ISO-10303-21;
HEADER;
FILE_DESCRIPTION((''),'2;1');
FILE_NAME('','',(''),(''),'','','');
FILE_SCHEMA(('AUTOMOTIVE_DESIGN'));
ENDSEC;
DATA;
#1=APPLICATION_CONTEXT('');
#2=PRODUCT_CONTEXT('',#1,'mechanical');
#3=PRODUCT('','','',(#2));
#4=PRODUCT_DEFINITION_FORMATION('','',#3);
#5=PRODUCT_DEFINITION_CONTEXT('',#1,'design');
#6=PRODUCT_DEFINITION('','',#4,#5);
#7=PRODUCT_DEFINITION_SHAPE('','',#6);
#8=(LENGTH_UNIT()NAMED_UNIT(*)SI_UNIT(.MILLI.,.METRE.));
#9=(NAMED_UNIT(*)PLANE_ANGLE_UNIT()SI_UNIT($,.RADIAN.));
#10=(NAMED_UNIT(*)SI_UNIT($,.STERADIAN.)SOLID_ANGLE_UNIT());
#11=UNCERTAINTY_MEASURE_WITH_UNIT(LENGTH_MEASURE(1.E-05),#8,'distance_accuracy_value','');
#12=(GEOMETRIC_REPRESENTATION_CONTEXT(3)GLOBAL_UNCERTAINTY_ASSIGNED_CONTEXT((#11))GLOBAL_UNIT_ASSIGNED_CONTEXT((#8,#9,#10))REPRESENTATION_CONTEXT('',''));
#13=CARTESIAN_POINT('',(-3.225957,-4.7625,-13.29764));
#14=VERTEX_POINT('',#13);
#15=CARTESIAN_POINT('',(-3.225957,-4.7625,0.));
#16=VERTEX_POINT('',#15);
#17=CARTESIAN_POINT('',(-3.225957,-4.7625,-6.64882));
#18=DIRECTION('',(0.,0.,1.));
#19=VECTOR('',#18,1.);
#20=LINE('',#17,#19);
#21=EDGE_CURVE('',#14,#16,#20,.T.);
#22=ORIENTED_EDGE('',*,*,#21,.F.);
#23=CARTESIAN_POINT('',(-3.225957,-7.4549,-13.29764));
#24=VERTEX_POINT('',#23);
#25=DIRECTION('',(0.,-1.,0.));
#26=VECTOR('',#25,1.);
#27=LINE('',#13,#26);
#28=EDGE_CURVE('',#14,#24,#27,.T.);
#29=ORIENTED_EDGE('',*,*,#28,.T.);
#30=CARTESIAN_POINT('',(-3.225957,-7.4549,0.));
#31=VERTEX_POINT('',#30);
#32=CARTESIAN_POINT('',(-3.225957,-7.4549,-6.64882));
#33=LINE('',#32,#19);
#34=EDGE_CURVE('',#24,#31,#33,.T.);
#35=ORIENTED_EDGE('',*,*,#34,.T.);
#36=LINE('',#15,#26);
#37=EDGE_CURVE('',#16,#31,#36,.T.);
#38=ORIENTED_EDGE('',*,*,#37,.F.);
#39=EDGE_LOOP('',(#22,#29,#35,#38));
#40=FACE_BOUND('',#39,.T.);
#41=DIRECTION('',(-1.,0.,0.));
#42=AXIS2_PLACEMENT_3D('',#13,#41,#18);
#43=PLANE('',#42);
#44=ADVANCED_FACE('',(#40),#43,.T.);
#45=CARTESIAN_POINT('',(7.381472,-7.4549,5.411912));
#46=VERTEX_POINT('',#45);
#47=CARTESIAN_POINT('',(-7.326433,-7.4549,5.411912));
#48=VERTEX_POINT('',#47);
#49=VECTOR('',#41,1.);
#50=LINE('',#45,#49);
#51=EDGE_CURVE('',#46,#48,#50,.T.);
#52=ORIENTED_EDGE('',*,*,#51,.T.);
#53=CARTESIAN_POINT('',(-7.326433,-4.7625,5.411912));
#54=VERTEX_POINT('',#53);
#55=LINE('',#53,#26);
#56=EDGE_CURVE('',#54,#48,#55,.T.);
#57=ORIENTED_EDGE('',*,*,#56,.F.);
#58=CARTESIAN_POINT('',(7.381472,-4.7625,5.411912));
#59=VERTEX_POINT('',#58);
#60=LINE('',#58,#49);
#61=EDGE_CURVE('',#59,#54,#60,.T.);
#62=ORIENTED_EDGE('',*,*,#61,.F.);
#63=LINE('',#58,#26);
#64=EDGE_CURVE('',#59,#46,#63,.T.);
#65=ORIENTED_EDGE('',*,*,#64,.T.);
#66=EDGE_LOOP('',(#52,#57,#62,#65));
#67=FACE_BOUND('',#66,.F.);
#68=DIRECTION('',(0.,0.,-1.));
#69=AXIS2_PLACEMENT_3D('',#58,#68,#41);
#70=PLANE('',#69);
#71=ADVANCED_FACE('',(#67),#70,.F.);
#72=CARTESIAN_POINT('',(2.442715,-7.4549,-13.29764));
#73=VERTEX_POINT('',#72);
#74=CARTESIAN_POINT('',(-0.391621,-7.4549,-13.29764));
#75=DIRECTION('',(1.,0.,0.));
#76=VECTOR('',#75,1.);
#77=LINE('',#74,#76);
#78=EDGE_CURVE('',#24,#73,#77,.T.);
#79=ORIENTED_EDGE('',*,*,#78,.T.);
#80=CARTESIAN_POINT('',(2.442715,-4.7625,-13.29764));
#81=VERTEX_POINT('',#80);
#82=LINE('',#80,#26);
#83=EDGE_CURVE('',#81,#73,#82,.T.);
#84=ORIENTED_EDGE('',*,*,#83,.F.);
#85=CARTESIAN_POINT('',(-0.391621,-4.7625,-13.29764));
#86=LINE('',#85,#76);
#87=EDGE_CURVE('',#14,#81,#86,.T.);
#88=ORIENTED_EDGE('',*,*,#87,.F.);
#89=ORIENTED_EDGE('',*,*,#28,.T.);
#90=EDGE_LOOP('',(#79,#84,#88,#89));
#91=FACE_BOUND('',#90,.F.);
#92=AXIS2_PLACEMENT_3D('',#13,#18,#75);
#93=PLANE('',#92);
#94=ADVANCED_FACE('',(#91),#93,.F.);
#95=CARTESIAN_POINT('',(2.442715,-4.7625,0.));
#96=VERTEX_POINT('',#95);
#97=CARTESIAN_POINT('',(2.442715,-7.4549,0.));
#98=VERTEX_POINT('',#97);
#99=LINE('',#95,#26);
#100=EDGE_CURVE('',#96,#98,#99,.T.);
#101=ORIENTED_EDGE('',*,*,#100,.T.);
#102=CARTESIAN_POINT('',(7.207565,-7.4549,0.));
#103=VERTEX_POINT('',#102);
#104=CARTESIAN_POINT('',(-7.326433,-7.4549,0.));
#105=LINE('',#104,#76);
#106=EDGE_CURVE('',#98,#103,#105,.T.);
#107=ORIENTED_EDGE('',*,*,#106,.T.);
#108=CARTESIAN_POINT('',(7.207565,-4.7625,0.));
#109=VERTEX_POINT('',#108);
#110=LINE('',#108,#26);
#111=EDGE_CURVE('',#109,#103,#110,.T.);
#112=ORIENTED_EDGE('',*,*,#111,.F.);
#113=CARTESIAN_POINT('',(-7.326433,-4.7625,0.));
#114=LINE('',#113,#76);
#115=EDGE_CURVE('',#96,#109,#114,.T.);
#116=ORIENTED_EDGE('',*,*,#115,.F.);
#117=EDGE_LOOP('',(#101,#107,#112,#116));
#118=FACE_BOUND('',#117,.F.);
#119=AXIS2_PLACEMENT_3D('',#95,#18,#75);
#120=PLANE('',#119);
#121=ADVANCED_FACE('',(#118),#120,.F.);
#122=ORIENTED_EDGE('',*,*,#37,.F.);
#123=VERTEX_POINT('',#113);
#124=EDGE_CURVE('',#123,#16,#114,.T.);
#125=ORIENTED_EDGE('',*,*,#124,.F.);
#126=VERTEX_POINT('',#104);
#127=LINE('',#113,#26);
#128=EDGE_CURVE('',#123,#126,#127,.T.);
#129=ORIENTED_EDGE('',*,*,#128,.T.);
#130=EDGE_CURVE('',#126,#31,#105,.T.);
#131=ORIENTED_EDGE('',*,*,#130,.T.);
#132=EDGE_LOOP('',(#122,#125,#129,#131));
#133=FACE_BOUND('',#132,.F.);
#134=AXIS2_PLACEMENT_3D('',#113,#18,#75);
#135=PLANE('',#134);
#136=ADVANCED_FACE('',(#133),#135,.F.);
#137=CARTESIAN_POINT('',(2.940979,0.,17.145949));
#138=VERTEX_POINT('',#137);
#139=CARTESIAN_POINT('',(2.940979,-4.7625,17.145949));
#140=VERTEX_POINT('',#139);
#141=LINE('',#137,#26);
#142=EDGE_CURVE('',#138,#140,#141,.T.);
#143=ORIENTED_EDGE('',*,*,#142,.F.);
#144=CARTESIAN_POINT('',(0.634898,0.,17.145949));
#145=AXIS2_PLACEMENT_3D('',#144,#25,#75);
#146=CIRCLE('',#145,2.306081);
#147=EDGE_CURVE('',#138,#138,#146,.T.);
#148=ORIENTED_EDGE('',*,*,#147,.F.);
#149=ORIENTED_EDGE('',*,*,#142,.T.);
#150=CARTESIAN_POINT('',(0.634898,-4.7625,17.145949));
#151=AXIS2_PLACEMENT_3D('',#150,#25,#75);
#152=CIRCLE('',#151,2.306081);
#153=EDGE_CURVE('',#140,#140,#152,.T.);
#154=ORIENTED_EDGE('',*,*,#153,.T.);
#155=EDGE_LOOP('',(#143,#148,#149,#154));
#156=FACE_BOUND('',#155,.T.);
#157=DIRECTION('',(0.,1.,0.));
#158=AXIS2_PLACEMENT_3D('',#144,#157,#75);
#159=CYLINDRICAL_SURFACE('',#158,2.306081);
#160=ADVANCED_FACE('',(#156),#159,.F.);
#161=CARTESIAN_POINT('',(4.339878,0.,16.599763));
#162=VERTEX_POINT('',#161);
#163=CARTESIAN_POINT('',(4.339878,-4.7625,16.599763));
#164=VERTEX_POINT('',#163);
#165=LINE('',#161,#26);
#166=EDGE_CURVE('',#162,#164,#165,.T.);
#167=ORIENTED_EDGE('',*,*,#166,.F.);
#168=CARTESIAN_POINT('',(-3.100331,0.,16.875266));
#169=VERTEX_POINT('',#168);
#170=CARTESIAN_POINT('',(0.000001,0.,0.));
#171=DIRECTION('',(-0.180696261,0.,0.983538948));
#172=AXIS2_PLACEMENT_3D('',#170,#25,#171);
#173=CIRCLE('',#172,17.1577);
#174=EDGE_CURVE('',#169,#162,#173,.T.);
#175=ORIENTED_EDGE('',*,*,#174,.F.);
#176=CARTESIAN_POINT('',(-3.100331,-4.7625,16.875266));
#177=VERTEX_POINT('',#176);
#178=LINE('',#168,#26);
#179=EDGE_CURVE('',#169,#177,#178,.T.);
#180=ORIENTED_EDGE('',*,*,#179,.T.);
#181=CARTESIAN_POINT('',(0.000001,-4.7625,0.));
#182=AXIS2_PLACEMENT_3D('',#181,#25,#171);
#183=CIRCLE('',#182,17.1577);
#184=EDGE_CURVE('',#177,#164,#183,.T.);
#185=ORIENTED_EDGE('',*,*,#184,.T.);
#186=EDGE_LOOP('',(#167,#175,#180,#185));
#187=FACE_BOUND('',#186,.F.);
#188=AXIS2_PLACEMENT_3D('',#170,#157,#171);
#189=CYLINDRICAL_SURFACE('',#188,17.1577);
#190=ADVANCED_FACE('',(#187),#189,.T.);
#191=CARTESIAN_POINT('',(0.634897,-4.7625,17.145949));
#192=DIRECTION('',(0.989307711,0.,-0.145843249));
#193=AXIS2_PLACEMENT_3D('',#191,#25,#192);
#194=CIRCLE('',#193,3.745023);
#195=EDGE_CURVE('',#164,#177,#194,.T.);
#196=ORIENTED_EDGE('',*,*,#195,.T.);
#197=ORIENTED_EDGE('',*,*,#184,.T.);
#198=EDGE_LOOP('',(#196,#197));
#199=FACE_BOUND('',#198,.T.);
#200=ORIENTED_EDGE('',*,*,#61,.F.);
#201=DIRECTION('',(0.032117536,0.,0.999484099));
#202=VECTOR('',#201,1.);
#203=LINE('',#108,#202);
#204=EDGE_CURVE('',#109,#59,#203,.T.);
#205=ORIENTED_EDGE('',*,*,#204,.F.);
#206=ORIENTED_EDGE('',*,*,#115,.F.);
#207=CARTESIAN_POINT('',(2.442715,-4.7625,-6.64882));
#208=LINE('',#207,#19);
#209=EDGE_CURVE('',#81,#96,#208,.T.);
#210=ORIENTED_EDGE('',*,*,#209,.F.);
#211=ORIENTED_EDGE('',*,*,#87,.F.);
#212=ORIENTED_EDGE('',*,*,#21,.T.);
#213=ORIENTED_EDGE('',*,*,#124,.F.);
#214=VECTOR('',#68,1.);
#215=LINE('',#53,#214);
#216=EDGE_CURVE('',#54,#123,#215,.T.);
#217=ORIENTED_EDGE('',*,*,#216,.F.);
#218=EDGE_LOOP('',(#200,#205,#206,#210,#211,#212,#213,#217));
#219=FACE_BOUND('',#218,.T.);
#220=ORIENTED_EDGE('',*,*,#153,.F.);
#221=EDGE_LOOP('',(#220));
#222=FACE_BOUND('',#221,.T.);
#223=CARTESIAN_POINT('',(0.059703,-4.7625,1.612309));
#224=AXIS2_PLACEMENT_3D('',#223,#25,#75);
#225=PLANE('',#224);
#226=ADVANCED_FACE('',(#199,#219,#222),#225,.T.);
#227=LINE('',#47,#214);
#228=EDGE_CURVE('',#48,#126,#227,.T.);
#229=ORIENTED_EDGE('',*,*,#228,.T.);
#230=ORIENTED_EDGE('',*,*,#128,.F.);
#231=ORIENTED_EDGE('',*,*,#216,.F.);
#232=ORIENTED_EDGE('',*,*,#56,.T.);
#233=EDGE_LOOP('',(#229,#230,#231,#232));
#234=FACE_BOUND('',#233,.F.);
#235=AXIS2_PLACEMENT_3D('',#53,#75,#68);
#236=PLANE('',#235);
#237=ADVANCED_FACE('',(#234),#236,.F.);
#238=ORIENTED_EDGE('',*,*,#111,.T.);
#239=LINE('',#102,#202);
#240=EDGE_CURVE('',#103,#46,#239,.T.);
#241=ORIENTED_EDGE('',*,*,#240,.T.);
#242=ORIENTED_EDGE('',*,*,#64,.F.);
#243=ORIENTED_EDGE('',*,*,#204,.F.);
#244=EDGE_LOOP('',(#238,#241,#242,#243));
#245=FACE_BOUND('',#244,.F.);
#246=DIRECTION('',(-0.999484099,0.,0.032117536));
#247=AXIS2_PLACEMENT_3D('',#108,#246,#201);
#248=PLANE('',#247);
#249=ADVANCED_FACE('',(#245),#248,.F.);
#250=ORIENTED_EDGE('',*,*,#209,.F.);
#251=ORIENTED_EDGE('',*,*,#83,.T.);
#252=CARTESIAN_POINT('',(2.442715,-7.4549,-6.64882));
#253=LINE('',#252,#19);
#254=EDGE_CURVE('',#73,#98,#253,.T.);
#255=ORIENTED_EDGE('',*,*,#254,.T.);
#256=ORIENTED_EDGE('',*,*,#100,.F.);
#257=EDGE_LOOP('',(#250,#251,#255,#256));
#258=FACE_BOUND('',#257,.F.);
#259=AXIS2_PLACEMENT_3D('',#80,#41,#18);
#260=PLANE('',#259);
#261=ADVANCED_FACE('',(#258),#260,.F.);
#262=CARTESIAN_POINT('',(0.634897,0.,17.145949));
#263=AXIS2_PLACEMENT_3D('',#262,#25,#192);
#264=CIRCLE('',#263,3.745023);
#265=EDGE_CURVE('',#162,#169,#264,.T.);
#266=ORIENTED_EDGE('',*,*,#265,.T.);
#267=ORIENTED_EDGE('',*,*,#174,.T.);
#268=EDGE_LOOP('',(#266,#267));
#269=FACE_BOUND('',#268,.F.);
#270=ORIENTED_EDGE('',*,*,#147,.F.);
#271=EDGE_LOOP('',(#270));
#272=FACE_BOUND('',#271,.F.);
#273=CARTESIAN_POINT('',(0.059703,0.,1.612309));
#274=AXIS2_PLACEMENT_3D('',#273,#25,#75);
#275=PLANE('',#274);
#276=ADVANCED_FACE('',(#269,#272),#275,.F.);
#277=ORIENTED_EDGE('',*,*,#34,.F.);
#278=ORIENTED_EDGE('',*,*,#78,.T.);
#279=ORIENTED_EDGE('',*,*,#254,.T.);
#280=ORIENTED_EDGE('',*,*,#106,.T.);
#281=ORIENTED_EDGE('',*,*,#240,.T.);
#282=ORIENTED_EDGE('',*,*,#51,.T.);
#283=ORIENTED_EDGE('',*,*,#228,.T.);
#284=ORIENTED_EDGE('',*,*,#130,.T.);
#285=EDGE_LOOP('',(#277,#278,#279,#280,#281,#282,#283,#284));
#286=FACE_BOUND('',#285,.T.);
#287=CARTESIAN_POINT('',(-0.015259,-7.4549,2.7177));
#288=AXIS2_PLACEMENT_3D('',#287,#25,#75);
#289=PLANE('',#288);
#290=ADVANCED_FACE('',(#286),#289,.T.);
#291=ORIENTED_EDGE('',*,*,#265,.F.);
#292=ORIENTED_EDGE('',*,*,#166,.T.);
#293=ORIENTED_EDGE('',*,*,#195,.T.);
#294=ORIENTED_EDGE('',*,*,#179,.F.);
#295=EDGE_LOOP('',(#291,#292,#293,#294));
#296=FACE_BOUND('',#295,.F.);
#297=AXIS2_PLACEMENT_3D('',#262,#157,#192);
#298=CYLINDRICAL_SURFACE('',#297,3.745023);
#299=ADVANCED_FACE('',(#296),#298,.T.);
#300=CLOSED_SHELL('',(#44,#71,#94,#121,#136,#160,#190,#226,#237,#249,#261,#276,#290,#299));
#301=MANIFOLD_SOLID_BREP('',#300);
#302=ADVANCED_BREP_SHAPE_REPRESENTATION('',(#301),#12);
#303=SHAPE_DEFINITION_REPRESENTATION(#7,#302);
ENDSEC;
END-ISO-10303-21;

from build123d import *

# Parameters (mm, degrees)
F0_R     = 2.306081
F1_DEPTH = 4.7625
F2_W     = 5.668672
F2_H     = 13.29764
F3_DEPTH = 2.6924


with BuildPart() as f1:
    # F0 (on Front) → F1 (new body)
    with BuildSketch(Plane.XZ):
        with BuildLine():
            ThreePointArc((-3.100331, 16.875266), (-0.634898, -17.145949), (4.339878, 16.599763))
            ThreePointArc((4.339878, 16.599763), (0.773477, 20.888408), (-3.100331, 16.875266))
        make_face()
        with Locations((0.634898, 17.145949)):
            Circle(F0_R, mode=Mode.SUBTRACT)
    extrude(amount=F1_DEPTH)

    # F2 (on face) → F3 (join)
    with BuildSketch(Plane.XZ.offset(4.7625)):
        Polygon((-7.326433, 5.411912), (-7.326433, 0), (-3.225957, 0), (2.442715, 0), (6.360534, 0), (7.207565, 0), (7.381472, 5.411912), align=None)
        with Locations((-0.391621, -6.64882)):
            Rectangle(F2_W, F2_H)
    extrude(amount=F3_DEPTH)


solid = f1.part
